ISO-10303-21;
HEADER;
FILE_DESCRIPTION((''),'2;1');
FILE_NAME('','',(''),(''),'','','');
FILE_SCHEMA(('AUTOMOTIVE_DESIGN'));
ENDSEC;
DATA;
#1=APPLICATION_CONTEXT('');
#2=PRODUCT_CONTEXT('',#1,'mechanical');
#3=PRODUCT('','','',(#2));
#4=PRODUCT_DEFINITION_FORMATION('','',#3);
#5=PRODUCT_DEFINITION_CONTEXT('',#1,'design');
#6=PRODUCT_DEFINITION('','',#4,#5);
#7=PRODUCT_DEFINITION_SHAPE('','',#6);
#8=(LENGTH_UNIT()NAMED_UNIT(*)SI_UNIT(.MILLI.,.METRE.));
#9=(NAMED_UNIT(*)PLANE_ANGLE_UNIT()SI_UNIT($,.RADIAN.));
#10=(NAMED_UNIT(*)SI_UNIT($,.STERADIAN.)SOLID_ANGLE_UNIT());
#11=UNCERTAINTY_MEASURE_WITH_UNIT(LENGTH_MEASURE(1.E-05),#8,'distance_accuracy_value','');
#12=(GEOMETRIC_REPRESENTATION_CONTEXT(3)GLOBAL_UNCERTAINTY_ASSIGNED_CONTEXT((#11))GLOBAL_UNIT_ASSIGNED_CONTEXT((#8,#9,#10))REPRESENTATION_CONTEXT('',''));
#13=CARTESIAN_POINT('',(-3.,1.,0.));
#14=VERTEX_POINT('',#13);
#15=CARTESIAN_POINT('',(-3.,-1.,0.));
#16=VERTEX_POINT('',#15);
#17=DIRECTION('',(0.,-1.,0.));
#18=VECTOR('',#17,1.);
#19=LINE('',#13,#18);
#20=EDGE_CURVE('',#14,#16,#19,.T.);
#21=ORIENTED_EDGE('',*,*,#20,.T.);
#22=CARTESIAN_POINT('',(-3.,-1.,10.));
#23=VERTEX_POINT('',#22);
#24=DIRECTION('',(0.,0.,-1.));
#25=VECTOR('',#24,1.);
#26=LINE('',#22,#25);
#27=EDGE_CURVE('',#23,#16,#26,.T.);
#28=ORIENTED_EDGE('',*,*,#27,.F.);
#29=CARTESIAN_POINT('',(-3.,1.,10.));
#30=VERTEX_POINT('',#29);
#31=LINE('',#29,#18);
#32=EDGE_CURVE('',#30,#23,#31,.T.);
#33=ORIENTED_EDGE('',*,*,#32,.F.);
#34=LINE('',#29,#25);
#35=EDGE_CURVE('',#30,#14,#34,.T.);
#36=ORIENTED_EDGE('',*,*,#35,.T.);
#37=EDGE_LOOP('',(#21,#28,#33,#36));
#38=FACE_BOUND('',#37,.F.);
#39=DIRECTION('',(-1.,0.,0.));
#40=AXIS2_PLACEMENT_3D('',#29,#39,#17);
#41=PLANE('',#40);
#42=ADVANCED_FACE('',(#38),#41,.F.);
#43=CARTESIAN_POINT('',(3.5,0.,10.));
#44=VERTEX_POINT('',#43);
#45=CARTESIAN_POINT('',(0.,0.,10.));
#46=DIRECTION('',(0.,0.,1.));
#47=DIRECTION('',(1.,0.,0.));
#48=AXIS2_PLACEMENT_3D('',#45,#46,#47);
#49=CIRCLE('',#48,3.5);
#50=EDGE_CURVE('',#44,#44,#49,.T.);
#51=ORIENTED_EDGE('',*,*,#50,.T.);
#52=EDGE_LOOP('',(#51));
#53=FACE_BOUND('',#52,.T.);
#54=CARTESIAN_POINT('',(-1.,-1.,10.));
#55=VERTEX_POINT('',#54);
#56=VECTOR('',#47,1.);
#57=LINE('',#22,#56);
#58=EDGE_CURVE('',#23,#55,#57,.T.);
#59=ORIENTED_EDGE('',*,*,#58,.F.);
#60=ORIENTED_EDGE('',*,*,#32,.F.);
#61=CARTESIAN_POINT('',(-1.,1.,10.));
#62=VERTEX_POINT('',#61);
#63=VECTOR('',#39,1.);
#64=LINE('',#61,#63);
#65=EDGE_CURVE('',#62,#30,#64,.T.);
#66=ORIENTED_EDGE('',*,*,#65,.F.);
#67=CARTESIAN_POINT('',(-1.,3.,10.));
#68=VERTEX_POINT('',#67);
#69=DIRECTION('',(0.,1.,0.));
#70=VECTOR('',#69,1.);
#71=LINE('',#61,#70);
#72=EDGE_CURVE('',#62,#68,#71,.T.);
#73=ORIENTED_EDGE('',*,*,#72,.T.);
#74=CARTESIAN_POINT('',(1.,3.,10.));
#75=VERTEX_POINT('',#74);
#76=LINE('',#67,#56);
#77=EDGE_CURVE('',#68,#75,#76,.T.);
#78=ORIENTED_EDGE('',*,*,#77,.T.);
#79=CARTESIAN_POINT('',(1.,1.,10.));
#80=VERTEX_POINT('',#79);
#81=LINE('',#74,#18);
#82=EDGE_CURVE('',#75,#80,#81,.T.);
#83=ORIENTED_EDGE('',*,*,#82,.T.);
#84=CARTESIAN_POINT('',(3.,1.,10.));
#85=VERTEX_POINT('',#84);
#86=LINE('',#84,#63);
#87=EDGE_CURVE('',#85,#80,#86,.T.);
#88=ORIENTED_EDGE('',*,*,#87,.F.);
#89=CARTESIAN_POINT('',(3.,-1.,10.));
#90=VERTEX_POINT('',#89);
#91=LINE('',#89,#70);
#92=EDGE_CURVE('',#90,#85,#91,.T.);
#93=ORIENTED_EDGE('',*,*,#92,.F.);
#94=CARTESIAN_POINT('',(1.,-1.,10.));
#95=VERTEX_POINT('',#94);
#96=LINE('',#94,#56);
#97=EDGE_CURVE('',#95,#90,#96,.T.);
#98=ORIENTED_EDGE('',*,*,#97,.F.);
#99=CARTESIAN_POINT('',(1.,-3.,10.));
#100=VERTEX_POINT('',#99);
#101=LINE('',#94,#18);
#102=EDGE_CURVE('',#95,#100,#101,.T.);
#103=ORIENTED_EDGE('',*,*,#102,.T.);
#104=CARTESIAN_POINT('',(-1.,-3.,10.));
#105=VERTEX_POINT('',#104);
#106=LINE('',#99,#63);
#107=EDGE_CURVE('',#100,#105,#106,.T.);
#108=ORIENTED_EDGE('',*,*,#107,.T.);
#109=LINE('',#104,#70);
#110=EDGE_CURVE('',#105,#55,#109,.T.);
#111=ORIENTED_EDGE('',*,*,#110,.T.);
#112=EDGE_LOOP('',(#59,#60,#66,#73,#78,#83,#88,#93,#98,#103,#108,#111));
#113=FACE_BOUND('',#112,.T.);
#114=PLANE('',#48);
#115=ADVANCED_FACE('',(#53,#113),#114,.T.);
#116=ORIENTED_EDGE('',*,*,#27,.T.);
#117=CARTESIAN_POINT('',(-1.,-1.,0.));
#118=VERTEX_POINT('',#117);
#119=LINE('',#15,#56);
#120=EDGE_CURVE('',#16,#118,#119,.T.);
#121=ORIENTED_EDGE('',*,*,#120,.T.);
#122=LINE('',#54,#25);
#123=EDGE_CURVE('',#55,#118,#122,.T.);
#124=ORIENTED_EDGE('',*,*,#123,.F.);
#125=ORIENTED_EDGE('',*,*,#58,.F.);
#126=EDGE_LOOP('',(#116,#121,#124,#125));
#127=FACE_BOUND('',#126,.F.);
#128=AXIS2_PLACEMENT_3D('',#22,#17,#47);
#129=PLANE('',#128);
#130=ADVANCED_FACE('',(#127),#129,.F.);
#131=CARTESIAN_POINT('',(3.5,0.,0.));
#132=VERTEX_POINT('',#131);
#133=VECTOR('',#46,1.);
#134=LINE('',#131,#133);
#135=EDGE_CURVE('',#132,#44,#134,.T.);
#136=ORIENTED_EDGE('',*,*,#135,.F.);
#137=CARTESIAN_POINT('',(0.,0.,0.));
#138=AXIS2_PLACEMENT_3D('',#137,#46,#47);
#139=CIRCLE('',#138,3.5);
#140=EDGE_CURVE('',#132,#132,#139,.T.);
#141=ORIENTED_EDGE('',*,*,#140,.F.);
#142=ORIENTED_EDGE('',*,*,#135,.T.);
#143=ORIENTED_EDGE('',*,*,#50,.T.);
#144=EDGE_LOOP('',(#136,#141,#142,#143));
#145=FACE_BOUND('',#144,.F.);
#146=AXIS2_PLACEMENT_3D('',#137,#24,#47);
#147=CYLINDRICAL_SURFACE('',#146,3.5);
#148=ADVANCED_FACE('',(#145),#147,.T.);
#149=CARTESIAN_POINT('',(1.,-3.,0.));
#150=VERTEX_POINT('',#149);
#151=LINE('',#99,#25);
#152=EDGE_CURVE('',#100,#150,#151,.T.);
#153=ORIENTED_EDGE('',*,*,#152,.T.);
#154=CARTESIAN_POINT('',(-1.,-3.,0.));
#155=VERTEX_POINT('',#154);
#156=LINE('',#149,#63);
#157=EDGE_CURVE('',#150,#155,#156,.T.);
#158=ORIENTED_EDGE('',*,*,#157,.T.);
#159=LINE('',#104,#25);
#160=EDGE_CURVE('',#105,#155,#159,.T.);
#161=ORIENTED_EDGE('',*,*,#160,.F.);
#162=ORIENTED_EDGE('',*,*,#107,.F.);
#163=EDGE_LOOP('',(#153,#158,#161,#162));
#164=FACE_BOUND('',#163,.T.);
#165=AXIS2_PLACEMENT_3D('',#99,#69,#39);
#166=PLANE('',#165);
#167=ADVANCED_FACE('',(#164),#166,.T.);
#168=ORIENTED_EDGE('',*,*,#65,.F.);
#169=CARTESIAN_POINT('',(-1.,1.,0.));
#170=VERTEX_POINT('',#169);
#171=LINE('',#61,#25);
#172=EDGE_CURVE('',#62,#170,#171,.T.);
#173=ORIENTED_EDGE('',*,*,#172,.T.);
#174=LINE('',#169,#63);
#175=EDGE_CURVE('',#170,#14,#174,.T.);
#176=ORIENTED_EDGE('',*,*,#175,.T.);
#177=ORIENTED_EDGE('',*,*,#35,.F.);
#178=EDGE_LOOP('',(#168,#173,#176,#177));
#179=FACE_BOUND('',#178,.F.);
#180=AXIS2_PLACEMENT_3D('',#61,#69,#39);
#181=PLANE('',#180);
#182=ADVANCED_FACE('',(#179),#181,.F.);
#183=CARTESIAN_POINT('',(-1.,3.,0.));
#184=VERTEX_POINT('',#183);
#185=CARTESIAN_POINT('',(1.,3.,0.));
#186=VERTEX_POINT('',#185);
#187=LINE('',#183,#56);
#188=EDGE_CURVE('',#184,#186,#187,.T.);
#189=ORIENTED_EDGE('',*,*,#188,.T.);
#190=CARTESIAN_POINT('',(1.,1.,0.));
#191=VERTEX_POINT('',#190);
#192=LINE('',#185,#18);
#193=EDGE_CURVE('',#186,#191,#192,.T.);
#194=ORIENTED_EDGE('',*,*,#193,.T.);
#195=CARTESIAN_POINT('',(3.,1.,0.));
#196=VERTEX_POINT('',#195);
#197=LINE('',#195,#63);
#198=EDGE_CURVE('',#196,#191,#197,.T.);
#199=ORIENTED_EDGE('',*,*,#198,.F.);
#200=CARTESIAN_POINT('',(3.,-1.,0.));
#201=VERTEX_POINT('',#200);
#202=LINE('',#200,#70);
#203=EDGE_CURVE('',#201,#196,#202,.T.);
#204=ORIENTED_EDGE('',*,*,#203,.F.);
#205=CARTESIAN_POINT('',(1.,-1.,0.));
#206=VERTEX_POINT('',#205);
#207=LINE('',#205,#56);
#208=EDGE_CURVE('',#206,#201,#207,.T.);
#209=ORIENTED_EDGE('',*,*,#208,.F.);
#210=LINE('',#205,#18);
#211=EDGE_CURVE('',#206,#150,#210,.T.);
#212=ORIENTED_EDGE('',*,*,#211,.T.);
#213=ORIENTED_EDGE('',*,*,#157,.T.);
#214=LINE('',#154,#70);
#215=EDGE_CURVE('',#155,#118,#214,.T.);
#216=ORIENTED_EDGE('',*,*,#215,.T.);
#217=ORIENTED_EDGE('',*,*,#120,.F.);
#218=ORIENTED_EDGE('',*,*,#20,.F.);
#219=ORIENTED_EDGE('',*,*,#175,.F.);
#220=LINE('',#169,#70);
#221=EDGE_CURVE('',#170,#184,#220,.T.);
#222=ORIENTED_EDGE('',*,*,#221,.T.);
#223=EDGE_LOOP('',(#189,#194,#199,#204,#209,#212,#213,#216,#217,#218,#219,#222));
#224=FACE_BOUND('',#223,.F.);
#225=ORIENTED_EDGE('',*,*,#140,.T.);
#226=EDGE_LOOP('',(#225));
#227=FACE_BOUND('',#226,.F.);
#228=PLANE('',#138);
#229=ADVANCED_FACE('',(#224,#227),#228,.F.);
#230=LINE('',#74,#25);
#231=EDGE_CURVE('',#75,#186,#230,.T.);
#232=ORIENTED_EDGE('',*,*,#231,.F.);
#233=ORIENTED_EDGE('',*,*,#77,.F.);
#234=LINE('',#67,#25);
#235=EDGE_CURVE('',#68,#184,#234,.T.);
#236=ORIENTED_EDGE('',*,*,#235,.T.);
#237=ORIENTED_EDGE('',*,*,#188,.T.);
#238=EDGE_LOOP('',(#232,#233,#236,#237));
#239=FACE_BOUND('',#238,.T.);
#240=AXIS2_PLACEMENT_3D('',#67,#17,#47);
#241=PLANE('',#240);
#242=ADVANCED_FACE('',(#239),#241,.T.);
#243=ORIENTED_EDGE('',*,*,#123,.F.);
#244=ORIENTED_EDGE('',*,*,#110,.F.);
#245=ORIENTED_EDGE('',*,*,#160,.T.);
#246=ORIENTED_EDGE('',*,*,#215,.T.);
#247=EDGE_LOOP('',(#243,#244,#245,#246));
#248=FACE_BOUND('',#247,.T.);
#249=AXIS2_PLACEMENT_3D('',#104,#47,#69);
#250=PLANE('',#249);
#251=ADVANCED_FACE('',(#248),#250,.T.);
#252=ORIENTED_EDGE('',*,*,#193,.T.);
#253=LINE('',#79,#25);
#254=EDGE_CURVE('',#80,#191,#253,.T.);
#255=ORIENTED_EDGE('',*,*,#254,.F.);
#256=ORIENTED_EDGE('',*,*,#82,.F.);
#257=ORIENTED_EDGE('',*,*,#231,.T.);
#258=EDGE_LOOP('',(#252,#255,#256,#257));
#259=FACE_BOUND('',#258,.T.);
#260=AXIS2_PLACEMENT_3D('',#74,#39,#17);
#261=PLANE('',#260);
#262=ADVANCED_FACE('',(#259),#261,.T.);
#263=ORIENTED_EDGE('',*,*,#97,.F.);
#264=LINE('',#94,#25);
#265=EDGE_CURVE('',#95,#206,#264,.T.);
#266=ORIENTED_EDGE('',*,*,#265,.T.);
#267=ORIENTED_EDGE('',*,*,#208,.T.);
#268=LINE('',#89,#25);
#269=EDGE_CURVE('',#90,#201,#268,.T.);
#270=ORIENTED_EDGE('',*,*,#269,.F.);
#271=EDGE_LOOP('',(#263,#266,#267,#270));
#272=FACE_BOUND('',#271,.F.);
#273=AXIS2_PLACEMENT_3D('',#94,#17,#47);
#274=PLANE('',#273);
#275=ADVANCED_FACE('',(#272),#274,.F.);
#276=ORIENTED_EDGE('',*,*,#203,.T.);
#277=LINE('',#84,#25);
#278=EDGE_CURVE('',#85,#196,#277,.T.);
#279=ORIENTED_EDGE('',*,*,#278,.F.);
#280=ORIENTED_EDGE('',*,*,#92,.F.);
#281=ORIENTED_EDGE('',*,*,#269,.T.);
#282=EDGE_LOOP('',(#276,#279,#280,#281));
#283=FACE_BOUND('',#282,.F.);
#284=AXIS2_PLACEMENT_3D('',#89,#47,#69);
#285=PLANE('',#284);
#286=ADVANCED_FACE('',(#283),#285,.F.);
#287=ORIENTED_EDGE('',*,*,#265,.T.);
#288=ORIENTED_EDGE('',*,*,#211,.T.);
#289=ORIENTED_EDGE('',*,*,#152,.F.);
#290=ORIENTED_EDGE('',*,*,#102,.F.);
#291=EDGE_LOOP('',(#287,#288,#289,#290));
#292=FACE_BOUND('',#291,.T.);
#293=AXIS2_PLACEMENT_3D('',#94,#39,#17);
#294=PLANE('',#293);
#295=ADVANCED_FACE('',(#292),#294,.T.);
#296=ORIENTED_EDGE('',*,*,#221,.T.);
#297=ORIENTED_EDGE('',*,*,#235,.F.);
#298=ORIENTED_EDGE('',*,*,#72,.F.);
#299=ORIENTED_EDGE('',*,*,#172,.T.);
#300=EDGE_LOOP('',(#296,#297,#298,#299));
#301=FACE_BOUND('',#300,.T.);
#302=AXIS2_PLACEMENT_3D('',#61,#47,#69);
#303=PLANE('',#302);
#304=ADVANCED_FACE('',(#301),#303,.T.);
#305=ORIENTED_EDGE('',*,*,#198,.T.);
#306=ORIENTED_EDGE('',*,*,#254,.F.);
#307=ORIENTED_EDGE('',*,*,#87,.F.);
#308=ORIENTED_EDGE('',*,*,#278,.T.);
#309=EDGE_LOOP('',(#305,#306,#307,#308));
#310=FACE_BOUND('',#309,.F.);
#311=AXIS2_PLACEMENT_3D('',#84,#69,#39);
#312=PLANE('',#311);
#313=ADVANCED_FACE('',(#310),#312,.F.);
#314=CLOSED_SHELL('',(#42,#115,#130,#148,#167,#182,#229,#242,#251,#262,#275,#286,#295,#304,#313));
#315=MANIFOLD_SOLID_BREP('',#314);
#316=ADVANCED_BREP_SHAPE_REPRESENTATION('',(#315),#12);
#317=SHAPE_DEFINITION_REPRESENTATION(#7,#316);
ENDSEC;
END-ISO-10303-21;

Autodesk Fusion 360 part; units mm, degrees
sketch "Sketch1" plane through (0, 0, 0) normal (0, 0, 1) x (1, 0, 0)
  circle A0 centre (0, 0) radius 3.5
  dimension "d1" = 7
extrude "Extrude1" add sketch "Sketch1" along normal blind 10
sketch "Sketch2" plane through (0, 0, 10) normal (0, 0, 1) x (-1, 0, 0)
  circle A0 centre (0, 0) radius 3.5
  line L0 (-1, 3) -> (1, 3)
  line L1 (1, -3) -> (-1, -3)
  line L2 (-3, 1) -> (-3, -1)
  line L3 (3, -1) -> (3, 1)
  line L4 (1, 3) -> (1, 1)
  line L5 (1, -1) -> (1, -3)
  line L6 (-3, -1) -> (-1, -1)
  line L7 (1, -1) -> (3, -1)
  line L8 (-1, -3) -> (-1, -1)
  line L9 (-1, 1) -> (-1, 3)
  line L10 (3, 1) -> (1, 1)
  line L11 (-1, 1) -> (-3, 1)
  dimension "d4" = 2
  dimension "d5" = 6
  dimension "d6" = 6
extrude "Extrude2" cut sketch "Sketch2" against normal blind 10 contours L0 L1 L2 L3 L4 L5 L6 L7 L8 L9 L10 L11
